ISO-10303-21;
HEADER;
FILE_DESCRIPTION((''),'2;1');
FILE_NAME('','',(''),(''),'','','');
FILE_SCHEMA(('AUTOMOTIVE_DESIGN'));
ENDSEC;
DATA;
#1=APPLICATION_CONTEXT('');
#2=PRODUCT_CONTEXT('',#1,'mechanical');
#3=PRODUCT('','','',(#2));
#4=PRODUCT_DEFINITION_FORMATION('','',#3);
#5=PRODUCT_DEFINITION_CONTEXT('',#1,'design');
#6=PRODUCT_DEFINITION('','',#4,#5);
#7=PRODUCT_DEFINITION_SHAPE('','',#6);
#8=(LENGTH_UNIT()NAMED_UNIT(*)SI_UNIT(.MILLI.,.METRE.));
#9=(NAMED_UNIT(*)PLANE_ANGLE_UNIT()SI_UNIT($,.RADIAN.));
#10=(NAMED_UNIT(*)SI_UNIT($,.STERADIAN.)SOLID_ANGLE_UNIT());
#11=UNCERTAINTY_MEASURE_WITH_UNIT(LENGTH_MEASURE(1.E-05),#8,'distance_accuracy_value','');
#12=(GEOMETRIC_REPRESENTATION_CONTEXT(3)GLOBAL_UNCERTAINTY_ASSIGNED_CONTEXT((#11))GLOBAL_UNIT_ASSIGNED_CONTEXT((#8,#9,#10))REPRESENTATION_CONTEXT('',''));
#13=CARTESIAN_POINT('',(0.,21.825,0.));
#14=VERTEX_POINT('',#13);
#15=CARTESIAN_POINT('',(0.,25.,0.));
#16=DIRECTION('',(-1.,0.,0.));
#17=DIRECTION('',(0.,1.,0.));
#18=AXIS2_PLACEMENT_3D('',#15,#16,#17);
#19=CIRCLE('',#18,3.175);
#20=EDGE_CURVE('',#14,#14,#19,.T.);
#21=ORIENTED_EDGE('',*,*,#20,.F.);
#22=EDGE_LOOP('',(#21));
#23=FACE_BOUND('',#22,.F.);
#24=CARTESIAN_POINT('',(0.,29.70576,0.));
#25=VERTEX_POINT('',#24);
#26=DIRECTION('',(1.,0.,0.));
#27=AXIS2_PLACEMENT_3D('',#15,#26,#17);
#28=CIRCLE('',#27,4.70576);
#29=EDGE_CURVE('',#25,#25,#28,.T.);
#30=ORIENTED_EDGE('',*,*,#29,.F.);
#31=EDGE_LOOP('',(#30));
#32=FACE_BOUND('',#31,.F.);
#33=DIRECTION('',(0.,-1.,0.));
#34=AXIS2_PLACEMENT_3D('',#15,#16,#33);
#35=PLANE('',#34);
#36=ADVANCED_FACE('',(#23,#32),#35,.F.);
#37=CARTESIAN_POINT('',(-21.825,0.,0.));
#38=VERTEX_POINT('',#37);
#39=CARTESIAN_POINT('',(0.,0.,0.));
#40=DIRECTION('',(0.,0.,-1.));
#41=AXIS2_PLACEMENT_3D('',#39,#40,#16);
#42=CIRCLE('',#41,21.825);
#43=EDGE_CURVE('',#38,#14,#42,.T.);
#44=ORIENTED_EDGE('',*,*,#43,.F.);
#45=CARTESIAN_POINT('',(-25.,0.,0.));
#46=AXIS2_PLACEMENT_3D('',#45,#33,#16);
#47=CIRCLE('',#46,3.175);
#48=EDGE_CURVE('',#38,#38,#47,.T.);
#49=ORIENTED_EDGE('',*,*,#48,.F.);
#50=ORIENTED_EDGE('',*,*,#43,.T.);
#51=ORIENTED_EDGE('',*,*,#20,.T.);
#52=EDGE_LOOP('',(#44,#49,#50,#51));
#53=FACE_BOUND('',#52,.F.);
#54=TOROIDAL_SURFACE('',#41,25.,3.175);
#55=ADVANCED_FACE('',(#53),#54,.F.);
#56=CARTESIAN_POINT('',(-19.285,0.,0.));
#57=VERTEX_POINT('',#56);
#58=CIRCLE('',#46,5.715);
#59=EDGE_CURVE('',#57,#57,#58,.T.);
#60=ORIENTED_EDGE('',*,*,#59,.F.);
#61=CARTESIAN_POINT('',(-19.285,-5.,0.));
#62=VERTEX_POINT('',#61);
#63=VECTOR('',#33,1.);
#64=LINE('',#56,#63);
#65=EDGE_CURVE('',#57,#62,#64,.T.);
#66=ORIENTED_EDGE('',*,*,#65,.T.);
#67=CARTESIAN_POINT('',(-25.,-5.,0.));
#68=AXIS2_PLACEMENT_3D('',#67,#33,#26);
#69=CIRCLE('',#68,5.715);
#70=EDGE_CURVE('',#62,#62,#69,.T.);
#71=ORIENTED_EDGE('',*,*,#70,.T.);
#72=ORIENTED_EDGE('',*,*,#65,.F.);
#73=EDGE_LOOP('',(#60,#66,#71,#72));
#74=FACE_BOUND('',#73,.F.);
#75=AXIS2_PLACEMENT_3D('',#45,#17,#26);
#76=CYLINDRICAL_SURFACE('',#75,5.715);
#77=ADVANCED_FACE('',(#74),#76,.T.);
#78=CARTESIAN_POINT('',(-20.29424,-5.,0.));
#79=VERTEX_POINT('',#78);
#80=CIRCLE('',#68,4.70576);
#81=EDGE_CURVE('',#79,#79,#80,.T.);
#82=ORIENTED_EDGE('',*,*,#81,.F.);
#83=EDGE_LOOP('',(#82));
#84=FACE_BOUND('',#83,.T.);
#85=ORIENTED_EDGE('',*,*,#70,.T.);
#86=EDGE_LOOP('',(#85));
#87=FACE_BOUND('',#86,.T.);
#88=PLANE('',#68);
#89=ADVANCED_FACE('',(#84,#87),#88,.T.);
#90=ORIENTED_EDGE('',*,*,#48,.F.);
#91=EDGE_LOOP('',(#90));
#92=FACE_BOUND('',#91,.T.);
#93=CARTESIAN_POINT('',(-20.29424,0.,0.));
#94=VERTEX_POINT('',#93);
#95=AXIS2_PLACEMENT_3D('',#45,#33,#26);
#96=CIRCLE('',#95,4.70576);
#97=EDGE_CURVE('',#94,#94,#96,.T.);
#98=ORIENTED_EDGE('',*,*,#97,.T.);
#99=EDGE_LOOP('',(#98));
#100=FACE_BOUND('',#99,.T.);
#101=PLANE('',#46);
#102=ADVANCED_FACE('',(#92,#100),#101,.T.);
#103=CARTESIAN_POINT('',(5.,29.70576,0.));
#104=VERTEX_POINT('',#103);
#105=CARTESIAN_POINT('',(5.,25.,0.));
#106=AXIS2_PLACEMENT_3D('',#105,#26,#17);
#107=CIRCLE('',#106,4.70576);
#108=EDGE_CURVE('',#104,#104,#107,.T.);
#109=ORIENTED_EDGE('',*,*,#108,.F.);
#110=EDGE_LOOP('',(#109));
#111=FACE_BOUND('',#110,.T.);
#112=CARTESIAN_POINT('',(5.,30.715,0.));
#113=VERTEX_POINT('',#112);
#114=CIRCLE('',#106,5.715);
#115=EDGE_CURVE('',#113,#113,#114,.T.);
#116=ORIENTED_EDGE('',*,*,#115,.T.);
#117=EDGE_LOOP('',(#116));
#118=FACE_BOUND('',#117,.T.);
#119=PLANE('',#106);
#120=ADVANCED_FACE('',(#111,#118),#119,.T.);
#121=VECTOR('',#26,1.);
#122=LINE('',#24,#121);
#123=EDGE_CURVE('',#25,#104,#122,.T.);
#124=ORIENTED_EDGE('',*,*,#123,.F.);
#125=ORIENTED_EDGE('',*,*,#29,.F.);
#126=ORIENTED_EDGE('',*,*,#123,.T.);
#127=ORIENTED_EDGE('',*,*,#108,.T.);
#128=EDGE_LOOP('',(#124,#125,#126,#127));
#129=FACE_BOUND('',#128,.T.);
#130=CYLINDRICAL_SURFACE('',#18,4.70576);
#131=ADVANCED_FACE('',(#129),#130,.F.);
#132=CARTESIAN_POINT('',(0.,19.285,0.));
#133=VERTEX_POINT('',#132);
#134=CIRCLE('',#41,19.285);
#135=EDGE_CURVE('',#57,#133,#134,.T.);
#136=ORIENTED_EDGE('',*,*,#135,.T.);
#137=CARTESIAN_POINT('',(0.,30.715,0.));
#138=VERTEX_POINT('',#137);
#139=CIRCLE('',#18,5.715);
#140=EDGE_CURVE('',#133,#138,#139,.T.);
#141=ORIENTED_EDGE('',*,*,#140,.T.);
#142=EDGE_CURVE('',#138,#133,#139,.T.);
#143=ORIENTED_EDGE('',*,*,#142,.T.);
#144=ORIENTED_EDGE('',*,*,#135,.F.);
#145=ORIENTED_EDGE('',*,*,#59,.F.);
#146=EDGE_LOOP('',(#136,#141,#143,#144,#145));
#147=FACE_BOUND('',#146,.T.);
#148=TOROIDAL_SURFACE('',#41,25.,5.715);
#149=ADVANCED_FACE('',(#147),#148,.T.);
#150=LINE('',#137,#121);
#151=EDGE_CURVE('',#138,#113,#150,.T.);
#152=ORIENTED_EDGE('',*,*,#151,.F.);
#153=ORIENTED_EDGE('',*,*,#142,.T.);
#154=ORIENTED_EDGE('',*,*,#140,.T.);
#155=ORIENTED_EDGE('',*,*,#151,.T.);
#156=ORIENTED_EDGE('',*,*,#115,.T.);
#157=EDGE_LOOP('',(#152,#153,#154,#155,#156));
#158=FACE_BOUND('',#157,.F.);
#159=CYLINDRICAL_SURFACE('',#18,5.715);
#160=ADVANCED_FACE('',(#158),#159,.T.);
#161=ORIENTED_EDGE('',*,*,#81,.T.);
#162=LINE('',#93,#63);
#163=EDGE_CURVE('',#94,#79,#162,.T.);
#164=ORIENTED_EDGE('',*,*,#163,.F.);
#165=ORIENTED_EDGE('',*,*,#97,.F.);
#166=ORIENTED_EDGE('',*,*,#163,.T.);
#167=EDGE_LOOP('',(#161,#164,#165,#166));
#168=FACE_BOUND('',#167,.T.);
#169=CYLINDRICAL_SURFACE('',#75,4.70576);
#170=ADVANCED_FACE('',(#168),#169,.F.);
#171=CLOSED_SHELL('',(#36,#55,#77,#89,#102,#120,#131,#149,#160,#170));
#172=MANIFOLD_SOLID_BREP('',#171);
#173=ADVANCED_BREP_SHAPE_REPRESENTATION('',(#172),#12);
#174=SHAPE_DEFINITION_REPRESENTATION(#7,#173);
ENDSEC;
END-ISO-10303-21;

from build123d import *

# Parameters (mm, degrees)
F1_R     = 5.715
F1_R_2   = 3.175
F3_R     = 5.715
F3_R_2   = 4.70576
F4_DEPTH = 5
F5_R     = 5.715
F5_R_2   = 4.70576
F6_DEPTH = 5


with BuildPart() as f2:
    # F2: sweep along a path in F0
    with BuildLine(Plane.XY) as f2_path:
        ThreePointArc((-25, 0), (-17.6776695297, 17.6776695297), (0, 25))
    # F1 (on Front) → F2 (sweep)
    with BuildSketch(Plane.XZ):
        with Locations((-25, 0)):
            Circle(F1_R)
        with Locations((-25, 0)):
            Circle(F1_R_2, mode=Mode.SUBTRACT)
    sweep(path=f2_path.line)

    # F3 (on face) → F4 (join)
    with BuildSketch(Plane.XZ):
        with Locations((-25, 0)):
            Circle(F3_R)
        with Locations((-25, 0)):
            Circle(F3_R_2, mode=Mode.SUBTRACT)
    extrude(amount=F4_DEPTH)

    # F5 (on face) → F6 (join)
    with BuildSketch(Plane.YZ):
        with Locations((25, 0)):
            Circle(F5_R)
        with Locations((25, 0)):
            Circle(F5_R_2, mode=Mode.SUBTRACT)
    extrude(amount=F6_DEPTH)


solid = f2.part
